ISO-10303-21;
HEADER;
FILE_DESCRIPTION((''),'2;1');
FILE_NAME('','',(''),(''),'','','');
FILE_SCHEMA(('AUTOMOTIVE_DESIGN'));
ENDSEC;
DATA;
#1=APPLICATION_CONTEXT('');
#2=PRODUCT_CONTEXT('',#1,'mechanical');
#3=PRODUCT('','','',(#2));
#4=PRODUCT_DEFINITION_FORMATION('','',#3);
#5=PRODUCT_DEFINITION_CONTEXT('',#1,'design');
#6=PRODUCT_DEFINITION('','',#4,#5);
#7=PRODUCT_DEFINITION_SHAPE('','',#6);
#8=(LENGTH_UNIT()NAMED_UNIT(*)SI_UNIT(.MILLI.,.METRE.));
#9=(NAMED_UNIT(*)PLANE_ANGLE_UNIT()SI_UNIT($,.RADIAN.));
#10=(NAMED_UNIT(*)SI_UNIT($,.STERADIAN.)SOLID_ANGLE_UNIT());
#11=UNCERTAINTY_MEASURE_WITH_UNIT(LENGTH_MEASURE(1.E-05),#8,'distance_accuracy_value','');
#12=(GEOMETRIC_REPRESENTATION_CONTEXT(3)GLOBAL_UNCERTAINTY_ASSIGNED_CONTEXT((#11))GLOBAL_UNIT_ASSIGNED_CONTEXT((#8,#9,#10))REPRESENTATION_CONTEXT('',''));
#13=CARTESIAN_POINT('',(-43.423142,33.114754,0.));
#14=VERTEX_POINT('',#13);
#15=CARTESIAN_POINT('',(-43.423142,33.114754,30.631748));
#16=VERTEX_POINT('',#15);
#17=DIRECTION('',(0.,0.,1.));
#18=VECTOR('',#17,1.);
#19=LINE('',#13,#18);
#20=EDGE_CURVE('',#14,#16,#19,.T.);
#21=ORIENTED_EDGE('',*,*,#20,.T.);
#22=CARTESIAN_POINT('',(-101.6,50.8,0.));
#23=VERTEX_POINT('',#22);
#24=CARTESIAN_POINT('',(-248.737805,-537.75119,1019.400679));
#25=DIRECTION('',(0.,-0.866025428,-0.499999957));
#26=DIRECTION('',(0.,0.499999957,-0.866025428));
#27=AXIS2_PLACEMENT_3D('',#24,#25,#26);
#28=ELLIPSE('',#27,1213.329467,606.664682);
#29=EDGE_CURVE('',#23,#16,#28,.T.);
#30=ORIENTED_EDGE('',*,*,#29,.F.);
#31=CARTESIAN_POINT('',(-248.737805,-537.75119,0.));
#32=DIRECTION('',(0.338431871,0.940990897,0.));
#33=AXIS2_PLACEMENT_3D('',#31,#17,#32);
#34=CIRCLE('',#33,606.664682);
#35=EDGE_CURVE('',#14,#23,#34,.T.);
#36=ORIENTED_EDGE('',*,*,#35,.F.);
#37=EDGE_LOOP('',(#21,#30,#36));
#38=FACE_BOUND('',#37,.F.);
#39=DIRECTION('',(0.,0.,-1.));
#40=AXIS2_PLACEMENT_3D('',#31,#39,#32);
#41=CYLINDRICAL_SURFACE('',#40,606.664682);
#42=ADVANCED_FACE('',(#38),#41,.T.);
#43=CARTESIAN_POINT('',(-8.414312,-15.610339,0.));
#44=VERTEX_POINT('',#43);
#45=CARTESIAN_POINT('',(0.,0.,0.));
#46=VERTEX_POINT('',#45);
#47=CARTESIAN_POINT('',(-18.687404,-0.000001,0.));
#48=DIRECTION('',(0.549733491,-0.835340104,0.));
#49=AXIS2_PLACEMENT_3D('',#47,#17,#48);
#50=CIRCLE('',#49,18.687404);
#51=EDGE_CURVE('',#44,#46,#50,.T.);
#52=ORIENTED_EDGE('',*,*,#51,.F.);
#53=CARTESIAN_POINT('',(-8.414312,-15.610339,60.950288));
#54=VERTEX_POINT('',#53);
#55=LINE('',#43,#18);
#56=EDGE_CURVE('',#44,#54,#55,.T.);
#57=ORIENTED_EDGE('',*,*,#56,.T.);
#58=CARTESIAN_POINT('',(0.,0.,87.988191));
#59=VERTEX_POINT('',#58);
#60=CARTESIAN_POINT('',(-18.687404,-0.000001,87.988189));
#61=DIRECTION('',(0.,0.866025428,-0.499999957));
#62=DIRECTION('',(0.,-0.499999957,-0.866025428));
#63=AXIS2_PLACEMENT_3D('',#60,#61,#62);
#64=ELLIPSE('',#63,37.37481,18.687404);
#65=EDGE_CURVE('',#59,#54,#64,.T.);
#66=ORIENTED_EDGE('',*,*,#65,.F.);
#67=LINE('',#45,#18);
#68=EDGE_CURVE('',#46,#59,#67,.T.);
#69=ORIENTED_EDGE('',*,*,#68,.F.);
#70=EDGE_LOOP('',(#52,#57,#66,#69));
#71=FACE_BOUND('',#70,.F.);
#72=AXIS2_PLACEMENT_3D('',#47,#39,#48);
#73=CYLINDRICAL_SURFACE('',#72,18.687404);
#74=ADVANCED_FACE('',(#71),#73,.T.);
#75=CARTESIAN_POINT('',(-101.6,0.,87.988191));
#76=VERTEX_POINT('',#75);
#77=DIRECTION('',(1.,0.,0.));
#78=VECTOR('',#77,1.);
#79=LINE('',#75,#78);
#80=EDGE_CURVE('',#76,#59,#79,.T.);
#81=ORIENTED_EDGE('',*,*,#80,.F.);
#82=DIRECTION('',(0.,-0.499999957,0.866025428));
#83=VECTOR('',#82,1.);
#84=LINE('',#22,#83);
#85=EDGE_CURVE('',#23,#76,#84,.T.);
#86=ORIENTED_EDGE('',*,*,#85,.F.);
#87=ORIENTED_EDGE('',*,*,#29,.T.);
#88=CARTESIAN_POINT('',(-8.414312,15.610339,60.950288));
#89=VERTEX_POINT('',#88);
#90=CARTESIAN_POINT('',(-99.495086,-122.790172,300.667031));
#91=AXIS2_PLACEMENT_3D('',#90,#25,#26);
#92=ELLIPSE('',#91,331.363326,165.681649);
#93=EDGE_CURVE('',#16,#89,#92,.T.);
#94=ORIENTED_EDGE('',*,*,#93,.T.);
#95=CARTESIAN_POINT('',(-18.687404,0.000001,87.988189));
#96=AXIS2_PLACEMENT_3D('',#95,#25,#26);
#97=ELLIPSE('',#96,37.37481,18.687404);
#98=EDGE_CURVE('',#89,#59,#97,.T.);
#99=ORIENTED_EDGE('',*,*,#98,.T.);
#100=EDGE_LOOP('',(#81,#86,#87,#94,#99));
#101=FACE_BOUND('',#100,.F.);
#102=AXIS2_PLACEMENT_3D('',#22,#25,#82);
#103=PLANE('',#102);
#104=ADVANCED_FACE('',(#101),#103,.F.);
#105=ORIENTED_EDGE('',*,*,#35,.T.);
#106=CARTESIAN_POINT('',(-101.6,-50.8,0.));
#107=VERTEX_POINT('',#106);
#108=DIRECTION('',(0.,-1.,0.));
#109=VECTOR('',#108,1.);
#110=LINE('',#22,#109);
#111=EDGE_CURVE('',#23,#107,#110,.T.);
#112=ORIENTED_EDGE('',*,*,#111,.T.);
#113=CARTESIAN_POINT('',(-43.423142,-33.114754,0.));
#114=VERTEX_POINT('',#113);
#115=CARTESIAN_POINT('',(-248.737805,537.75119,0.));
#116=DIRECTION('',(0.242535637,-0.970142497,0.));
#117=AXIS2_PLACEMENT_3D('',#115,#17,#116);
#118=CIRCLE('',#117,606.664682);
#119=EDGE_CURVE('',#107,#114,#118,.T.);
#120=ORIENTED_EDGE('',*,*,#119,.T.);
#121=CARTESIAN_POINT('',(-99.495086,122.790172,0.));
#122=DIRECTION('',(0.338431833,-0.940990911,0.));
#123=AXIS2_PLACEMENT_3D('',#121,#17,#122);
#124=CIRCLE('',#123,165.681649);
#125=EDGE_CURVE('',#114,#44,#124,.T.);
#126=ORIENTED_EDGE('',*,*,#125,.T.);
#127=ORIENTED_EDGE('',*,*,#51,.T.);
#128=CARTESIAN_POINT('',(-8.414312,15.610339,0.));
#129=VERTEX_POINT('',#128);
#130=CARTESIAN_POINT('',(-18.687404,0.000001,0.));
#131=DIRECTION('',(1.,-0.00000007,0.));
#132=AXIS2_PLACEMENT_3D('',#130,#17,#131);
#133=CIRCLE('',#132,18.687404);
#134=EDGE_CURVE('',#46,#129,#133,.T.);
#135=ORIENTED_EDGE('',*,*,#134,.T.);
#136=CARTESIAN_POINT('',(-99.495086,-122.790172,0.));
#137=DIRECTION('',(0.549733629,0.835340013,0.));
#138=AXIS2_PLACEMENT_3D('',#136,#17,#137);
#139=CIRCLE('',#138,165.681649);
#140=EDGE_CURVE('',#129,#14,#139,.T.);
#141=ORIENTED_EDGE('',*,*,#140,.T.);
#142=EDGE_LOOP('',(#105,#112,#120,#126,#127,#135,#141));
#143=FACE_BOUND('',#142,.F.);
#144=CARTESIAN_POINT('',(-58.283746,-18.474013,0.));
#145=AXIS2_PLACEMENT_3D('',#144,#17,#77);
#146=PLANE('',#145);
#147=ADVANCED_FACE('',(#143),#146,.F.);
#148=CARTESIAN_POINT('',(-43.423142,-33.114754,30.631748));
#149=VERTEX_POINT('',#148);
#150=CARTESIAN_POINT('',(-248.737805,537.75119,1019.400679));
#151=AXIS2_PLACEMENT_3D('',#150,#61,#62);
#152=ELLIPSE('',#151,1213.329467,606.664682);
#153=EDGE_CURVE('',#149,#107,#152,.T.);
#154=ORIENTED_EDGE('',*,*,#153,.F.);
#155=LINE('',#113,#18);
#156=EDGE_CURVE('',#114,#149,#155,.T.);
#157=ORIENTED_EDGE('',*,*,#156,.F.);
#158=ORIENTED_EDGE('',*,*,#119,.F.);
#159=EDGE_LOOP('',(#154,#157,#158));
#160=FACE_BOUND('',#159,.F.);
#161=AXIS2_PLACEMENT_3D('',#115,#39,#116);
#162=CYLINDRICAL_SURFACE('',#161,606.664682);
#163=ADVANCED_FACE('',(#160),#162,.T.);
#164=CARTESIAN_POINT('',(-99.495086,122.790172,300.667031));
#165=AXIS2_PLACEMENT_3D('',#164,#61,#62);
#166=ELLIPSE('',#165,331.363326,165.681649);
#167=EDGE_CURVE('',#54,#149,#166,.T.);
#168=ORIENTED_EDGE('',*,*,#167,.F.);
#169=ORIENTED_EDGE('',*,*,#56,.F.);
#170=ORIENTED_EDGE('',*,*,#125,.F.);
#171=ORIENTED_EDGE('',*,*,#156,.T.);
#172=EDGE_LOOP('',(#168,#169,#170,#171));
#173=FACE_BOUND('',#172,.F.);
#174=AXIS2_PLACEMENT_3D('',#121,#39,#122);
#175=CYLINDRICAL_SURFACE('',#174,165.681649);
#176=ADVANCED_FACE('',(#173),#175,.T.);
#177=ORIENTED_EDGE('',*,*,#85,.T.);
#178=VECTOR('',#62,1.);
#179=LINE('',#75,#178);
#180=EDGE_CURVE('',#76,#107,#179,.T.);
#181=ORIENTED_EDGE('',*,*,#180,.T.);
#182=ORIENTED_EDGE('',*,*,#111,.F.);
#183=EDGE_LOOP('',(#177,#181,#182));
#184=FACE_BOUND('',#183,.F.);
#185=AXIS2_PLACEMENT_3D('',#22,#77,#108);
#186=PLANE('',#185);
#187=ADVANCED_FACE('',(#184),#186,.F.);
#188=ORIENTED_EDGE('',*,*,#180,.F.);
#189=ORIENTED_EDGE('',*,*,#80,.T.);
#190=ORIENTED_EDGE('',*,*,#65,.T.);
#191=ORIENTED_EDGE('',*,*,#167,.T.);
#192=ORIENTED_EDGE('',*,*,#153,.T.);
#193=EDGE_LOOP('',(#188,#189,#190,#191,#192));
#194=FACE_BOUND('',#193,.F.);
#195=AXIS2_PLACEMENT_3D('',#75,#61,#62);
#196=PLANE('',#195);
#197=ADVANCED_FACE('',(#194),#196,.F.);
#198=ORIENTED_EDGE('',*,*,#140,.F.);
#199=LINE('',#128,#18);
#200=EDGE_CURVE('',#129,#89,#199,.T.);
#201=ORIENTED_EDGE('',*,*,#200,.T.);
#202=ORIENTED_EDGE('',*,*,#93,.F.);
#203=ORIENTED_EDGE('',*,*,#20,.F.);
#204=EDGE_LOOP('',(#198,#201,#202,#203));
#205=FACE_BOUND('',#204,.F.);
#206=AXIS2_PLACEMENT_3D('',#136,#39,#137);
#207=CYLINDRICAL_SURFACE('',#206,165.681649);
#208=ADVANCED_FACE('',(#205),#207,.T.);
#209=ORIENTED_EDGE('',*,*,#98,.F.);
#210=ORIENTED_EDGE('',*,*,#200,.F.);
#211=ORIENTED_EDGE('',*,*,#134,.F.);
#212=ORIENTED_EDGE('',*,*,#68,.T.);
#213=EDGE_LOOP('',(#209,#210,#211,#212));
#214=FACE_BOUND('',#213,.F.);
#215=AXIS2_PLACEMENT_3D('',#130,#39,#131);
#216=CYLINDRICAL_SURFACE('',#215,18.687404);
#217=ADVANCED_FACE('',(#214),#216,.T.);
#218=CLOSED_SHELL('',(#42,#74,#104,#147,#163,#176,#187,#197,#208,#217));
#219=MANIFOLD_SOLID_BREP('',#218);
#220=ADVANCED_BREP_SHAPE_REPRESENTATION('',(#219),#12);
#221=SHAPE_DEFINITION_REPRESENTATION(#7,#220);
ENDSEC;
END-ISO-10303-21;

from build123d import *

# Parameters (mm, degrees)
F1_DEPTH = 87.988191
F3_DEPTH = 101.6


with BuildPart() as f1:
    # F0 (on Top) → F1 (new body)
    with BuildSketch(Plane.XY):
        with BuildLine():
            ThreePointArc((-43.423142, -33.114754), (-25.4, -25.4), (-8.414312, -15.610339))
            ThreePointArc((-8.414312, -15.610339), (-2.237533, -8.866839), (0, 0))
            Line((0, 0), (-101.6, 0))
            Line((-101.6, 0), (-101.6, -50.8))
            ThreePointArc((-101.6, -50.8), (-72.289859, -42.686713), (-43.423142, -33.114754))
        make_face()
        with BuildLine():
            Line((-101.6, 0), (0, 0))
            ThreePointArc((0, 0), (-2.237533, 8.866839), (-8.414312, 15.610339))
            ThreePointArc((-8.414312, 15.610339), (-25.4, 25.4), (-43.423142, 33.114754))
            ThreePointArc((-43.423142, 33.114754), (-72.289859, 42.686713), (-101.6, 50.8))
            Line((-101.6, 50.8), (-101.6, 0))
        make_face()
    extrude(amount=F1_DEPTH)

    # F2 (on face) → F3 (cut)
    with BuildSketch(Plane(origin=(-101.6, 0, 0), x_dir=(0, -1, 0), z_dir=(-1, 0, 0))):
        Polygon((50.8, 87.988191), (0, 87.988191), (50.8, 0), align=None)
        Polygon((0, 87.988191), (-50.8, 87.988191), (-50.8, 0), align=None)
    extrude(amount=-F3_DEPTH, mode=Mode.SUBTRACT)


solid = f1.part
